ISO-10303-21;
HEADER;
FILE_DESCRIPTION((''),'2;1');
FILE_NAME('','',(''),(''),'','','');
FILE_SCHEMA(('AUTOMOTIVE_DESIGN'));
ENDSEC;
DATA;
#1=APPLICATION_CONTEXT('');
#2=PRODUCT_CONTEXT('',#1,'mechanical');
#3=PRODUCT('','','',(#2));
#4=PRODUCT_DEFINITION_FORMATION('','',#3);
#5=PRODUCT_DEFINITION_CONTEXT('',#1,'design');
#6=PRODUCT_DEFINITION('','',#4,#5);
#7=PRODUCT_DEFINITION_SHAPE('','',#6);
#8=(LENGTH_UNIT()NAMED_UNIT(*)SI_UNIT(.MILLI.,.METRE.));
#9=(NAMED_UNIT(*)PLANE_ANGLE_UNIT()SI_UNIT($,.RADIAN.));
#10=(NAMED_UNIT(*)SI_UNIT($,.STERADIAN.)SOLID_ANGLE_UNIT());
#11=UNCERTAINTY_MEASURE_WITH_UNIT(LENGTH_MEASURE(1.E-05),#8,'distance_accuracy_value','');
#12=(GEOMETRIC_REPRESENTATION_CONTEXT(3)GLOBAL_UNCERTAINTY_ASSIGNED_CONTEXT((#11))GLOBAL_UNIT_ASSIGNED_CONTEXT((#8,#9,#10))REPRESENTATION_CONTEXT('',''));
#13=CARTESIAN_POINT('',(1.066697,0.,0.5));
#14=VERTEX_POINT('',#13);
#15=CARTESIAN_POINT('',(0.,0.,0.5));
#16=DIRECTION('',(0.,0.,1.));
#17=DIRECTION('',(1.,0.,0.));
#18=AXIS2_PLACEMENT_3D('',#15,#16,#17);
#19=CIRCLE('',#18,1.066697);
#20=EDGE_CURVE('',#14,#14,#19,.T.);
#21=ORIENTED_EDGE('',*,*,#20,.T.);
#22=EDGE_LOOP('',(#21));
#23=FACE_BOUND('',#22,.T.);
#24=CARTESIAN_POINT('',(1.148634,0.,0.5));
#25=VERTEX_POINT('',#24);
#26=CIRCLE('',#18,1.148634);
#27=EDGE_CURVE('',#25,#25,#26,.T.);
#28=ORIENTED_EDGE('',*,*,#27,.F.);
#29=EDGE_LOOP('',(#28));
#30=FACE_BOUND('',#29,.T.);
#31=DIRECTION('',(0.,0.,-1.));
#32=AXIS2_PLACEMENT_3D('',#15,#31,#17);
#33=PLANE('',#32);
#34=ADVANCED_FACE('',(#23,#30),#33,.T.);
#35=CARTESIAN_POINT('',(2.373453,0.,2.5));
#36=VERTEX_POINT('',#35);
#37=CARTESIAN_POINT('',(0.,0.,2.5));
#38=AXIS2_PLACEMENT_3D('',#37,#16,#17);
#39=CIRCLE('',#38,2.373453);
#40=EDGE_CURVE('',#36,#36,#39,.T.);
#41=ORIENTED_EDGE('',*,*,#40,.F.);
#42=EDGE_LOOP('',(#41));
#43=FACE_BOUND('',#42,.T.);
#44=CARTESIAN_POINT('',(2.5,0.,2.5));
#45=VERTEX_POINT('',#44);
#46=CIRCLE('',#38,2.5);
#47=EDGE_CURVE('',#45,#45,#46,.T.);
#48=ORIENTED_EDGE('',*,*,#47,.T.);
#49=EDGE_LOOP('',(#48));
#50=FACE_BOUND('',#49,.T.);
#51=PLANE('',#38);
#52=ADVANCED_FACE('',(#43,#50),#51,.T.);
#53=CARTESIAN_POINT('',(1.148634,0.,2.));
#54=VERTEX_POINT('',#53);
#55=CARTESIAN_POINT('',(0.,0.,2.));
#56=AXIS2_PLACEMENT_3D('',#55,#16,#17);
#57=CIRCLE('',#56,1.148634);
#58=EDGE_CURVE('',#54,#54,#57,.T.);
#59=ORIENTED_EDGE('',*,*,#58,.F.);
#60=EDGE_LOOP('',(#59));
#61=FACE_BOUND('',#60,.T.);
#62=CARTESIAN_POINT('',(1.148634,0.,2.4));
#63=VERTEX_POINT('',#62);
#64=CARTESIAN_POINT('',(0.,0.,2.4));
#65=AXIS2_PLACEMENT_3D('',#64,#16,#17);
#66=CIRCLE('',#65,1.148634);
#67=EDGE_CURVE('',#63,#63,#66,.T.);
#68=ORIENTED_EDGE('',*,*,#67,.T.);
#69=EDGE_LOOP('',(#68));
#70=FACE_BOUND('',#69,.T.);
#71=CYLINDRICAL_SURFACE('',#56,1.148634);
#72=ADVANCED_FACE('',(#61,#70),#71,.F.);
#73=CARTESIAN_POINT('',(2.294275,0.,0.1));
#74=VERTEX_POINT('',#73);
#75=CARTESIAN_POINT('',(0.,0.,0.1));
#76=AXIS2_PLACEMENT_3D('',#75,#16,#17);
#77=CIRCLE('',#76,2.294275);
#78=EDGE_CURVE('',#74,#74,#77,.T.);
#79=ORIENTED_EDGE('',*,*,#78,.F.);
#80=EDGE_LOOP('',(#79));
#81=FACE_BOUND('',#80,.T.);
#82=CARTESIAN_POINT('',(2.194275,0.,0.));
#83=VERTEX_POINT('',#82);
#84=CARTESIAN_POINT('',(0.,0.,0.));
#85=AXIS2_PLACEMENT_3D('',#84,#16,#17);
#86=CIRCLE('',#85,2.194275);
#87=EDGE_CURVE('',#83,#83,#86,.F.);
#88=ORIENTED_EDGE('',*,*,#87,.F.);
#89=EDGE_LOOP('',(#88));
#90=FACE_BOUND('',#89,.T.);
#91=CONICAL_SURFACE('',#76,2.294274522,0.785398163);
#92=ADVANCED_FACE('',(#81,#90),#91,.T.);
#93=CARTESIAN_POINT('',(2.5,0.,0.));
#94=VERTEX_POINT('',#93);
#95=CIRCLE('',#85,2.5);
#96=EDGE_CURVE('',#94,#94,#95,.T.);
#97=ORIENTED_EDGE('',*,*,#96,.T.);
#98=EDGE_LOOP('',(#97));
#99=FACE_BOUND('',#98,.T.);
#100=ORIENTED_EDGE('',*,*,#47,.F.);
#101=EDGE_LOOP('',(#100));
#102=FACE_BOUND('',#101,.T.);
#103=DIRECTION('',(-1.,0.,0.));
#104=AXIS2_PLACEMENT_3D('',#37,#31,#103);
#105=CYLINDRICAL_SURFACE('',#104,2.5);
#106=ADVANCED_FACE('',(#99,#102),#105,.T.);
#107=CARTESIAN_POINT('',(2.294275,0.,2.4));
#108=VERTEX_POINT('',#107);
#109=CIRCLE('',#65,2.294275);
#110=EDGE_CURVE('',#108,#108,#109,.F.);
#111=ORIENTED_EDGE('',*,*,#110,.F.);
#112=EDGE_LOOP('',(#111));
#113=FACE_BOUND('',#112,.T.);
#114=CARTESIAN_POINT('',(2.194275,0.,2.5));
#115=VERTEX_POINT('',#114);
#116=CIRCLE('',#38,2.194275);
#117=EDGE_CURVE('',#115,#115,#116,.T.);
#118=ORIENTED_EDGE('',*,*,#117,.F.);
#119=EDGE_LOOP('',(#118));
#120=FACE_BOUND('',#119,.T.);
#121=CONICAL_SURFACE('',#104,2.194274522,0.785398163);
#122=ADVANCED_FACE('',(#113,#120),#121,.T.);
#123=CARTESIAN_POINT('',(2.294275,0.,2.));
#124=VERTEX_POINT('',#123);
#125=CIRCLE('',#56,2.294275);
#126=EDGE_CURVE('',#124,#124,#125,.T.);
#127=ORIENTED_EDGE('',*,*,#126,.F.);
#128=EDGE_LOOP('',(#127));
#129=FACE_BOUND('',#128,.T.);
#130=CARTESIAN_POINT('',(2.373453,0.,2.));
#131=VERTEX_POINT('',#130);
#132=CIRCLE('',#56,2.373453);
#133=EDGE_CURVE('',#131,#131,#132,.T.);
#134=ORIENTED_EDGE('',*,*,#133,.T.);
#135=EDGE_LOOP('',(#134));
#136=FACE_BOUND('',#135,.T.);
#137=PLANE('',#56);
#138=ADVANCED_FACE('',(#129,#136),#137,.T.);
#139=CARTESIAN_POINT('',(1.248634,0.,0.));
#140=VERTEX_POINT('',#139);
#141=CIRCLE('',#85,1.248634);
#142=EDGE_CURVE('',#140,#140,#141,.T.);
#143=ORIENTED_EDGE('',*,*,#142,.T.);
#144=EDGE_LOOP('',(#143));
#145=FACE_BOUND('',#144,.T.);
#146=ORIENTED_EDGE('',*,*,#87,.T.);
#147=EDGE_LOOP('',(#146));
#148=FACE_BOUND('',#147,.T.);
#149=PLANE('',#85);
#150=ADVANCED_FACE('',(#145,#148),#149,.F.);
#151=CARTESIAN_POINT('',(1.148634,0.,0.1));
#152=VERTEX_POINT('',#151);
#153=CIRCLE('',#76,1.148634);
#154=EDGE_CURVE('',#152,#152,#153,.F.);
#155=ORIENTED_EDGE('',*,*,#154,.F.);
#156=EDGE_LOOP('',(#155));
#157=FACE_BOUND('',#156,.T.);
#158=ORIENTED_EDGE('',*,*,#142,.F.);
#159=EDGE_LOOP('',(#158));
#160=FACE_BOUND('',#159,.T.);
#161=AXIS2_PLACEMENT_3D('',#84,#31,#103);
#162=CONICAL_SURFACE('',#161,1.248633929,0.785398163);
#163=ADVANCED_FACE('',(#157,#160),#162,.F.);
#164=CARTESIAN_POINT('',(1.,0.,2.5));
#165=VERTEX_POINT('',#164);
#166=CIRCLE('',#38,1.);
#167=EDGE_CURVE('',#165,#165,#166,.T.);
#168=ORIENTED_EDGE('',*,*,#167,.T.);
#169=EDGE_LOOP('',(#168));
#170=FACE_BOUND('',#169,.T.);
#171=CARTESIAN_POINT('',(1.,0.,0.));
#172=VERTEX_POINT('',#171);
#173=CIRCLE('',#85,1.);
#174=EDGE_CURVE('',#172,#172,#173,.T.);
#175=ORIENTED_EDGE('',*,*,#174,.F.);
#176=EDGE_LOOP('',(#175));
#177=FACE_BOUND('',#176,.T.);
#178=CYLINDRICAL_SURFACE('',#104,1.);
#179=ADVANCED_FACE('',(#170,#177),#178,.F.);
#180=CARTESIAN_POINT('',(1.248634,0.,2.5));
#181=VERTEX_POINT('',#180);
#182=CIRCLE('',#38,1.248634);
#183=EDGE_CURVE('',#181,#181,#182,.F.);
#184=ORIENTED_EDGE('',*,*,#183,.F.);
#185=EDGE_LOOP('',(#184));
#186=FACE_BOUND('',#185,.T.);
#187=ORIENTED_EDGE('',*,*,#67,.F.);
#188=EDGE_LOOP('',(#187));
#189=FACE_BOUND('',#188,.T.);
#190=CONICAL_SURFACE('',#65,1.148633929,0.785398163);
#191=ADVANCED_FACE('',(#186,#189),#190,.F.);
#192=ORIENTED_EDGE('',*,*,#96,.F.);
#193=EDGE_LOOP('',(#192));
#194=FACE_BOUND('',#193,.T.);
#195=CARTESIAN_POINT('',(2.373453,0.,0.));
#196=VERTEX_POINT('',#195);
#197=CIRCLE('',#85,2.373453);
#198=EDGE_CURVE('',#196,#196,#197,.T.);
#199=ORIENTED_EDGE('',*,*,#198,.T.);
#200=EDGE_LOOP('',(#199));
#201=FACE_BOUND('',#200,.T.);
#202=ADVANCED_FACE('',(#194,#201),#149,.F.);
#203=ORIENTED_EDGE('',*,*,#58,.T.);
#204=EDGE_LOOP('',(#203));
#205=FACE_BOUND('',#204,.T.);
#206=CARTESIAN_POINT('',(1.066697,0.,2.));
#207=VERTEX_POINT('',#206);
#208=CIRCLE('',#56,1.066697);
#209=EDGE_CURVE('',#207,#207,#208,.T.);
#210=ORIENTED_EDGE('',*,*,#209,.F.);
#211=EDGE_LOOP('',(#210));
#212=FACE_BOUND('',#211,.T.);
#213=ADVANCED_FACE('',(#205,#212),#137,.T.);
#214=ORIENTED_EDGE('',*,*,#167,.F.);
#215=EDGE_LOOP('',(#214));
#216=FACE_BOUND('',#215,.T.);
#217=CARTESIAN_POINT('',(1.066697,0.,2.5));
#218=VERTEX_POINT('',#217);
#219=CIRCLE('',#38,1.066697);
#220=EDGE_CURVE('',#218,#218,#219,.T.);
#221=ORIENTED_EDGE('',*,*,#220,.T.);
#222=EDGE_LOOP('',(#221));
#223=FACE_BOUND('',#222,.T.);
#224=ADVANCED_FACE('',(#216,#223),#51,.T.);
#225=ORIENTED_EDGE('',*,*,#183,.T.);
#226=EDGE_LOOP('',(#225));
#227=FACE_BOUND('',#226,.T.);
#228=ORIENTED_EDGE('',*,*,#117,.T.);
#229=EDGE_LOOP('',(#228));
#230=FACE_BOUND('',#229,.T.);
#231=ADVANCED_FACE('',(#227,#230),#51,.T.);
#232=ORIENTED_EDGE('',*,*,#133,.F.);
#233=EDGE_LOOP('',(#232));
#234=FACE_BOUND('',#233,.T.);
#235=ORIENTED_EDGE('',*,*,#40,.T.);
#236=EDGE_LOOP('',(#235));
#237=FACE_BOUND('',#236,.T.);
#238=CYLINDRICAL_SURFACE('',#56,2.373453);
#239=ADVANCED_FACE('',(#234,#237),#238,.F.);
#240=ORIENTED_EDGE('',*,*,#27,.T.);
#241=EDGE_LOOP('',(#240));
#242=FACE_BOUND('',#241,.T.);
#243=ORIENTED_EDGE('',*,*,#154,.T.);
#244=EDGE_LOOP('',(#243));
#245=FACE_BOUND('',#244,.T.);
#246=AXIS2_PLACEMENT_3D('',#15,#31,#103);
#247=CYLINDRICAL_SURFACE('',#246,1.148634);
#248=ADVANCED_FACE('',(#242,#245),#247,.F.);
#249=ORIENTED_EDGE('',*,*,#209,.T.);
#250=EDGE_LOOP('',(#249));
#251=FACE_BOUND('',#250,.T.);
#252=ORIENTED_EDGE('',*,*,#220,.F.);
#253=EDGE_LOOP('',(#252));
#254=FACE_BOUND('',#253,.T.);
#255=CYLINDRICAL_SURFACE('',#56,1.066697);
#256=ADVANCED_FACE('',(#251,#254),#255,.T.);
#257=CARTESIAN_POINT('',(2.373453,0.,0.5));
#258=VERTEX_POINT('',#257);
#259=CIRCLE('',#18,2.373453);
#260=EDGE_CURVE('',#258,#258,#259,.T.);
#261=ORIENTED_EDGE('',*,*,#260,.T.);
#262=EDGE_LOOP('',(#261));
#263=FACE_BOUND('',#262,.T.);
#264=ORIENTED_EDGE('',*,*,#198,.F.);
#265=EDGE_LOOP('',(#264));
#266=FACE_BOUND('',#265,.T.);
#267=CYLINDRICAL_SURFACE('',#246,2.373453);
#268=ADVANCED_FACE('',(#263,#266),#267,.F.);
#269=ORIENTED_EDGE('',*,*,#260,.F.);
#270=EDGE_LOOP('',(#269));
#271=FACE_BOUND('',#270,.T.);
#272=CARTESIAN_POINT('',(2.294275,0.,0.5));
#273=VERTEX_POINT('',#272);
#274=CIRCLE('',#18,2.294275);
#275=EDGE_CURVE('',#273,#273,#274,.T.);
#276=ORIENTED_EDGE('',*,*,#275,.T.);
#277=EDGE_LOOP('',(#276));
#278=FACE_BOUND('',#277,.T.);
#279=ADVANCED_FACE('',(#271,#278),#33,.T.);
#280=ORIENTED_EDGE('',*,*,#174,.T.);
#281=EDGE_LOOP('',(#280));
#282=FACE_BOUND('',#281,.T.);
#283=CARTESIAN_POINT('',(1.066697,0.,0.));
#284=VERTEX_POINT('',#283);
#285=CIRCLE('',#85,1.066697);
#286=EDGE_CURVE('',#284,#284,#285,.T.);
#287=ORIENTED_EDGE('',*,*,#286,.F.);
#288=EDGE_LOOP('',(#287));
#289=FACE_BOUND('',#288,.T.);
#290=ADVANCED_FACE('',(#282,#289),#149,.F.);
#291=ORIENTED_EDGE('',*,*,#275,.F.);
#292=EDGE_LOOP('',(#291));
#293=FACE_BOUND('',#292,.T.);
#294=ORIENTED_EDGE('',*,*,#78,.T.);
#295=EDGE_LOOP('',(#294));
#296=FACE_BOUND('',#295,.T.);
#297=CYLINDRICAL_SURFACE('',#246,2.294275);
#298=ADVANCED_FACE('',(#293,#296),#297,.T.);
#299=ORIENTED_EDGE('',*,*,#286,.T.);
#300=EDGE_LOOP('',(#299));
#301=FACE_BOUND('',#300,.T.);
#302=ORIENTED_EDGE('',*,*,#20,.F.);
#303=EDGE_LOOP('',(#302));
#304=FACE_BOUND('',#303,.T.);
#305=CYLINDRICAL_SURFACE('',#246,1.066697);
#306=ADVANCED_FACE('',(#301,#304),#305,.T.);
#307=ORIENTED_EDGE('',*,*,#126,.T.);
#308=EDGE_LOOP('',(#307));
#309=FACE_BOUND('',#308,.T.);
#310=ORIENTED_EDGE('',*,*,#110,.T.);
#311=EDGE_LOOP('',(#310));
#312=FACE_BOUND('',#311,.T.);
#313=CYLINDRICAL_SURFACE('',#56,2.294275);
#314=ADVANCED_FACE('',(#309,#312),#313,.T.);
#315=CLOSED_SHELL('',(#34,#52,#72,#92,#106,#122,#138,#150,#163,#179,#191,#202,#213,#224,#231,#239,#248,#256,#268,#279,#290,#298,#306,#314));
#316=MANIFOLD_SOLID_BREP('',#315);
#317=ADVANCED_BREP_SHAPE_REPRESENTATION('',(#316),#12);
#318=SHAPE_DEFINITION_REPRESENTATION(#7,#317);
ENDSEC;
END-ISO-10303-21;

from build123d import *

# Parameters (mm, degrees)
SKETCH1_R           = 2.5
SKETCH1_R_2         = 1
BOSS_EXTRUDE1_DEPTH = 2.5
SKETCH2_R           = 2.373453331
SKETCH2_R_2         = 2.294274522
SKETCH2_R_3         = 1.148633929
SKETCH2_R_4         = 1.066697382
CUT_EXTRUDE1_DEPTH  = 0.5
CHAMFER1_SIZE       = 0.1
CHAMFER2_SIZE       = 0.1


with BuildPart() as part:
    # Sketch1 → Boss-Extrude1 (new body)
    with BuildSketch(Plane.XY):
        Circle(SKETCH1_R)
        Circle(SKETCH1_R_2, mode=Mode.SUBTRACT)
    extrude(amount=BOSS_EXTRUDE1_DEPTH)

    # Sketch2 → Cut-Extrude1 (cut)
    # profile 1 of 2: a face of its own
    with BuildSketch(Plane.XY.offset(2.5)):
        Circle(SKETCH2_R)
        Circle(SKETCH2_R_2, mode=Mode.SUBTRACT)
    # profile 2 of 2: a face of its own
    with BuildSketch(Plane.XY.offset(2.5)):
        Circle(SKETCH2_R_3)
        Circle(SKETCH2_R_4, mode=Mode.SUBTRACT)
    cut_extrude1 = extrude(amount=-CUT_EXTRUDE1_DEPTH, mode=Mode.SUBTRACT)

    # Chamfer1
    chamfer1_edges = [part.edges().sort_by_distance(p)[0] for p in [
        (-2.294274522, 0, 2.5),
        (-1.148633929, 0, 2.5),
    ]]
    chamfer(chamfer1_edges, length=CHAMFER1_SIZE)

    # Mirror3: Cut-Extrude1 across plane
    add(cut_extrude1.mirror(Plane(origin=(0, 0, 1.25), x_dir=(1, 0, 0), z_dir=(0, 0, -1))), mode=Mode.SUBTRACT)

    # Chamfer2
    chamfer2_edges = [part.edges().sort_by_distance(p)[0] for p in [
        (-2.294274522, 0, 0),
        (-1.148633929, 0, 0),
    ]]
    chamfer(chamfer2_edges, length=CHAMFER2_SIZE)


solid = part.part
